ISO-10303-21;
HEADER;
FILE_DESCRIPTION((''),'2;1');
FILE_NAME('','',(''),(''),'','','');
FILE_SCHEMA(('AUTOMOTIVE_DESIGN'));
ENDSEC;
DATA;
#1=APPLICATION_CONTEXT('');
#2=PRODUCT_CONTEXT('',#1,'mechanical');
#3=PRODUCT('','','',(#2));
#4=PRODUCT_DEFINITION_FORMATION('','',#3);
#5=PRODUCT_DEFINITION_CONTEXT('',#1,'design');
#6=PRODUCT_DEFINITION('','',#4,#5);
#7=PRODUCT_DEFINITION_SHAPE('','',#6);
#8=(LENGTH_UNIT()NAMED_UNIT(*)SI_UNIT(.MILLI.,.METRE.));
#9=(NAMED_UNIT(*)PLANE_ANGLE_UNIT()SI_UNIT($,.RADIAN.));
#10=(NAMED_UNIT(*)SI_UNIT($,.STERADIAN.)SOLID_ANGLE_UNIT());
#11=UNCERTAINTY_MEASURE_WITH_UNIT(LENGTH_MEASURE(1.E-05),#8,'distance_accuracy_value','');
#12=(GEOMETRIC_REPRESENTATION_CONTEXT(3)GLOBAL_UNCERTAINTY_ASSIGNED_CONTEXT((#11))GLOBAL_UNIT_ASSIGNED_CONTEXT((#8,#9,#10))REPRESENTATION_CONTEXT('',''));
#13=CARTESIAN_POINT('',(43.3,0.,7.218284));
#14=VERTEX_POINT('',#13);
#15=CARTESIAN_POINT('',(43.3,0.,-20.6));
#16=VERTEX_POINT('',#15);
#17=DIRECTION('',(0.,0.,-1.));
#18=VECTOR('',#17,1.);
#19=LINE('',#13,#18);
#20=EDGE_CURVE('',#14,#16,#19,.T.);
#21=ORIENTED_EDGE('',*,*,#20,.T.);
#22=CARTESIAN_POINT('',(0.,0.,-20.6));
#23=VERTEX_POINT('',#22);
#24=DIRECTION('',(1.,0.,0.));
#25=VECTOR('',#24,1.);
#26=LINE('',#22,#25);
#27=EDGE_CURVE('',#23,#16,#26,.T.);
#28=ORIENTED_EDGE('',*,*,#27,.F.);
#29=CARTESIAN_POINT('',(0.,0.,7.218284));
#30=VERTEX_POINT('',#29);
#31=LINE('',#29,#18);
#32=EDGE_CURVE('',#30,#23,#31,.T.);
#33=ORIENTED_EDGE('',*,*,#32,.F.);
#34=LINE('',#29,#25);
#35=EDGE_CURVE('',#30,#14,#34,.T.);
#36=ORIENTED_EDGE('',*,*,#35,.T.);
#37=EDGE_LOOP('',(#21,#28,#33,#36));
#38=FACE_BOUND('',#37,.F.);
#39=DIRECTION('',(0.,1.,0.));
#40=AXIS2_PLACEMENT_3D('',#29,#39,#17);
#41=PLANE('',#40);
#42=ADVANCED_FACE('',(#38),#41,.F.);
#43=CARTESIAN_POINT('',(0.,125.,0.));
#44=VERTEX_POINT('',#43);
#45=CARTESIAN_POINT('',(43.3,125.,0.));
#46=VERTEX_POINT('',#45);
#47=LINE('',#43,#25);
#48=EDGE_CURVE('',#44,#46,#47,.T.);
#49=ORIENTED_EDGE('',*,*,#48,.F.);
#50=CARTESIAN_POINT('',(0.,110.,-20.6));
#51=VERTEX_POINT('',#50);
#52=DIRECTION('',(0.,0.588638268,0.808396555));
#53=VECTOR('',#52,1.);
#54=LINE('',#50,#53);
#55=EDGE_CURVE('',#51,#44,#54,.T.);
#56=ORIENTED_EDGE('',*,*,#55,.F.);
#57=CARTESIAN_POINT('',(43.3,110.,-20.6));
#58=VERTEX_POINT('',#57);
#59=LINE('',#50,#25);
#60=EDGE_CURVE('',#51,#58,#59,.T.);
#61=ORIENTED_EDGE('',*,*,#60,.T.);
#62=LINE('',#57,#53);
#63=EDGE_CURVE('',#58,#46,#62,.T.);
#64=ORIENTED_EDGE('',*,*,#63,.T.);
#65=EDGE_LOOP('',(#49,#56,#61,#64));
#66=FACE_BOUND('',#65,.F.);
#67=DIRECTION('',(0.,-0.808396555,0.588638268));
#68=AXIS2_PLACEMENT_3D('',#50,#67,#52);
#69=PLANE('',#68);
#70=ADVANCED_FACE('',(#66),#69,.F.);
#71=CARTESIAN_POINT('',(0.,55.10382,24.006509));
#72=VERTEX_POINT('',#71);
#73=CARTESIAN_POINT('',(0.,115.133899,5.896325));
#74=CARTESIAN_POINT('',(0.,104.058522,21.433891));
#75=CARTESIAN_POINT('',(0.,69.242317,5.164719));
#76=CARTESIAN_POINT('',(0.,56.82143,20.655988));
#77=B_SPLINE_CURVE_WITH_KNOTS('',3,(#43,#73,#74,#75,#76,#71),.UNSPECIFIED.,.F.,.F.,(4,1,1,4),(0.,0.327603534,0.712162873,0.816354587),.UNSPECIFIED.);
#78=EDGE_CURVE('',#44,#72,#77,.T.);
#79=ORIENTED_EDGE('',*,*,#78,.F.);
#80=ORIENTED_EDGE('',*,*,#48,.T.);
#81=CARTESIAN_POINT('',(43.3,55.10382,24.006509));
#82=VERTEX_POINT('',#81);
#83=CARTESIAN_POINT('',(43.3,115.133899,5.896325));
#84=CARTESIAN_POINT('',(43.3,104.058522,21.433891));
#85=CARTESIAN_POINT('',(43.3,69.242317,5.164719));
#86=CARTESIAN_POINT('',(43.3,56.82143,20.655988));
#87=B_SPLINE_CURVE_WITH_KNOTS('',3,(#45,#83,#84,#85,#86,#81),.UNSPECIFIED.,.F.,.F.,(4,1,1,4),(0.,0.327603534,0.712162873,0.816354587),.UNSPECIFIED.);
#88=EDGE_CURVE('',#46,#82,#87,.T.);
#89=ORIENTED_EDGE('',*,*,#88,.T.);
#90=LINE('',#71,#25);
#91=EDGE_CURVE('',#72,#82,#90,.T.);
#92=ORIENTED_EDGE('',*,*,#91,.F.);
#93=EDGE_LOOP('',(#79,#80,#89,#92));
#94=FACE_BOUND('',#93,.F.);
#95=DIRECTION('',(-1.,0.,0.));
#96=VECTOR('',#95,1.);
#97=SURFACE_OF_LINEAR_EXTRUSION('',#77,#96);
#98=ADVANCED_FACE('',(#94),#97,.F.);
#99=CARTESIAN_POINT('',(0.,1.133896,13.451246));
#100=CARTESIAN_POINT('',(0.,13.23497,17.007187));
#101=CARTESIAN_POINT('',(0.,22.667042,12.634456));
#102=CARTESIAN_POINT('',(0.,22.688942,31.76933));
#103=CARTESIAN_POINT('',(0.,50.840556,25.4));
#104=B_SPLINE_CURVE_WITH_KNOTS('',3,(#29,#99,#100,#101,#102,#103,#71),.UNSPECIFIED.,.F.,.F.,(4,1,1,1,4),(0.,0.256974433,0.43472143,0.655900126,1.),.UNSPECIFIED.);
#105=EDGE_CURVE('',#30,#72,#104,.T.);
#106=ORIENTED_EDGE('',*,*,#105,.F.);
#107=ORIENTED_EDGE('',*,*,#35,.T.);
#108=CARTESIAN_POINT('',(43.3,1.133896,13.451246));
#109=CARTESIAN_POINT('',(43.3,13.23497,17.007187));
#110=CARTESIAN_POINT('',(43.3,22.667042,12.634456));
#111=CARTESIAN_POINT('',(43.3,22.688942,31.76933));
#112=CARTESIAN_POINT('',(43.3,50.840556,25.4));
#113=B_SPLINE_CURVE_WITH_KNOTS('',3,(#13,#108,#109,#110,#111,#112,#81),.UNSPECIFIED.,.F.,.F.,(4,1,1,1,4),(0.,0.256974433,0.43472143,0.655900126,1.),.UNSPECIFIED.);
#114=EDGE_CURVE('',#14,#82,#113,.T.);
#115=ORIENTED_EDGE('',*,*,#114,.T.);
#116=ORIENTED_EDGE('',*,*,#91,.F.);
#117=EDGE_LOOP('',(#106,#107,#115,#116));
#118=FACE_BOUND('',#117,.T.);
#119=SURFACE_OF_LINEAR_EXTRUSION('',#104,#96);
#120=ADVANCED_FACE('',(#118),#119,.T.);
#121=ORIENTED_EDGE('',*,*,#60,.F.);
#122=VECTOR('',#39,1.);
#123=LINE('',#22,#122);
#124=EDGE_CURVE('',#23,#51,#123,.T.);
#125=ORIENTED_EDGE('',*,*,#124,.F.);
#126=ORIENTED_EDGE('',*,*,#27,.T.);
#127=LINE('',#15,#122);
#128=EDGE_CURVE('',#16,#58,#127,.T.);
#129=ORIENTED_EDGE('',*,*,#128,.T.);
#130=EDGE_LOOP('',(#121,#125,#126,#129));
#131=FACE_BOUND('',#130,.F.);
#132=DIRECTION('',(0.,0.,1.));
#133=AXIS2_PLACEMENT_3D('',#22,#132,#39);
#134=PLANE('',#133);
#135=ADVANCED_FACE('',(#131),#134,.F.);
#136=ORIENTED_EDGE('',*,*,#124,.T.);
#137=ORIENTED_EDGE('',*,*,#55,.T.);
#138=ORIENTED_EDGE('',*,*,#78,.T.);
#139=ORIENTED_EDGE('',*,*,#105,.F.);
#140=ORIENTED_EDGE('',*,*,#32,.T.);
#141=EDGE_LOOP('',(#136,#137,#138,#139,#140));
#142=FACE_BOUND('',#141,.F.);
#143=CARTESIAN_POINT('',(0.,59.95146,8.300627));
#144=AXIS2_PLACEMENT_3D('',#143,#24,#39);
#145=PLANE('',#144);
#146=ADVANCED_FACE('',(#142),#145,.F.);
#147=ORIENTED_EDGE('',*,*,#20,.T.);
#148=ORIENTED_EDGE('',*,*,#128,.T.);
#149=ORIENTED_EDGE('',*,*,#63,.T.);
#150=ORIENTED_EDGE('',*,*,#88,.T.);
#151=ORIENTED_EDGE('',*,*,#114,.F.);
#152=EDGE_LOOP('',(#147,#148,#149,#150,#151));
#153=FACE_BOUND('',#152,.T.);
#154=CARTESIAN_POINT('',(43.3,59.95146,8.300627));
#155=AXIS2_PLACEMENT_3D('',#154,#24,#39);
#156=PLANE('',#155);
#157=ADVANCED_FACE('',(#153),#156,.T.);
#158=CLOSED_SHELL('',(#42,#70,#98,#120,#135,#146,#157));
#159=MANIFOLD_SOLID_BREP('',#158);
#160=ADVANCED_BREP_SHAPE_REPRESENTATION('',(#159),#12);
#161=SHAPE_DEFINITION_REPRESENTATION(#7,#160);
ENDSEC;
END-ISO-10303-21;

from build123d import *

# Parameters (mm, degrees)
F1_DEPTH = 43.3


with BuildPart() as f1:
    # F0 (on Right) → F1 (new body)
    with BuildSketch(Plane.YZ):
        with BuildLine():
            Line((0, 7.2182836728), (0, 0))
            Line((0, 0), (125, 0))
            add(Edge.make_bspline(
                [(125, 0), (115.1338994431, 5.8963246273), (104.0585223757, 21.4338908712), (69.2423172861, 5.164719419), (56.8214295159, 20.6559883184), (55.1038199734, 24.0065091075)],
                knots=[0, 0, 0, 0, 0.3276035342, 0.7121628735, 0.8163545873, 0.8163545873, 0.8163545873, 0.8163545873], degree=3))
            add(Edge.make_bspline(
                [(0, 7.2182836728), (1.1338959448, 13.4512456134), (13.234969515, 17.0071866985), (22.6670424005, 12.634455728), (22.6889416623, 31.7693302299), (50.8405557625, 25.4), (55.1038199734, 24.0065091075)],
                knots=[0, 0, 0, 0, 0.256974433, 0.4347214297, 0.6559001259, 1, 1, 1, 1], degree=3))
        make_face()
        Polygon((125, 0), (0, 0), (0, -20.6), (110, -20.6), align=None)
    extrude(amount=F1_DEPTH)


solid = f1.part
